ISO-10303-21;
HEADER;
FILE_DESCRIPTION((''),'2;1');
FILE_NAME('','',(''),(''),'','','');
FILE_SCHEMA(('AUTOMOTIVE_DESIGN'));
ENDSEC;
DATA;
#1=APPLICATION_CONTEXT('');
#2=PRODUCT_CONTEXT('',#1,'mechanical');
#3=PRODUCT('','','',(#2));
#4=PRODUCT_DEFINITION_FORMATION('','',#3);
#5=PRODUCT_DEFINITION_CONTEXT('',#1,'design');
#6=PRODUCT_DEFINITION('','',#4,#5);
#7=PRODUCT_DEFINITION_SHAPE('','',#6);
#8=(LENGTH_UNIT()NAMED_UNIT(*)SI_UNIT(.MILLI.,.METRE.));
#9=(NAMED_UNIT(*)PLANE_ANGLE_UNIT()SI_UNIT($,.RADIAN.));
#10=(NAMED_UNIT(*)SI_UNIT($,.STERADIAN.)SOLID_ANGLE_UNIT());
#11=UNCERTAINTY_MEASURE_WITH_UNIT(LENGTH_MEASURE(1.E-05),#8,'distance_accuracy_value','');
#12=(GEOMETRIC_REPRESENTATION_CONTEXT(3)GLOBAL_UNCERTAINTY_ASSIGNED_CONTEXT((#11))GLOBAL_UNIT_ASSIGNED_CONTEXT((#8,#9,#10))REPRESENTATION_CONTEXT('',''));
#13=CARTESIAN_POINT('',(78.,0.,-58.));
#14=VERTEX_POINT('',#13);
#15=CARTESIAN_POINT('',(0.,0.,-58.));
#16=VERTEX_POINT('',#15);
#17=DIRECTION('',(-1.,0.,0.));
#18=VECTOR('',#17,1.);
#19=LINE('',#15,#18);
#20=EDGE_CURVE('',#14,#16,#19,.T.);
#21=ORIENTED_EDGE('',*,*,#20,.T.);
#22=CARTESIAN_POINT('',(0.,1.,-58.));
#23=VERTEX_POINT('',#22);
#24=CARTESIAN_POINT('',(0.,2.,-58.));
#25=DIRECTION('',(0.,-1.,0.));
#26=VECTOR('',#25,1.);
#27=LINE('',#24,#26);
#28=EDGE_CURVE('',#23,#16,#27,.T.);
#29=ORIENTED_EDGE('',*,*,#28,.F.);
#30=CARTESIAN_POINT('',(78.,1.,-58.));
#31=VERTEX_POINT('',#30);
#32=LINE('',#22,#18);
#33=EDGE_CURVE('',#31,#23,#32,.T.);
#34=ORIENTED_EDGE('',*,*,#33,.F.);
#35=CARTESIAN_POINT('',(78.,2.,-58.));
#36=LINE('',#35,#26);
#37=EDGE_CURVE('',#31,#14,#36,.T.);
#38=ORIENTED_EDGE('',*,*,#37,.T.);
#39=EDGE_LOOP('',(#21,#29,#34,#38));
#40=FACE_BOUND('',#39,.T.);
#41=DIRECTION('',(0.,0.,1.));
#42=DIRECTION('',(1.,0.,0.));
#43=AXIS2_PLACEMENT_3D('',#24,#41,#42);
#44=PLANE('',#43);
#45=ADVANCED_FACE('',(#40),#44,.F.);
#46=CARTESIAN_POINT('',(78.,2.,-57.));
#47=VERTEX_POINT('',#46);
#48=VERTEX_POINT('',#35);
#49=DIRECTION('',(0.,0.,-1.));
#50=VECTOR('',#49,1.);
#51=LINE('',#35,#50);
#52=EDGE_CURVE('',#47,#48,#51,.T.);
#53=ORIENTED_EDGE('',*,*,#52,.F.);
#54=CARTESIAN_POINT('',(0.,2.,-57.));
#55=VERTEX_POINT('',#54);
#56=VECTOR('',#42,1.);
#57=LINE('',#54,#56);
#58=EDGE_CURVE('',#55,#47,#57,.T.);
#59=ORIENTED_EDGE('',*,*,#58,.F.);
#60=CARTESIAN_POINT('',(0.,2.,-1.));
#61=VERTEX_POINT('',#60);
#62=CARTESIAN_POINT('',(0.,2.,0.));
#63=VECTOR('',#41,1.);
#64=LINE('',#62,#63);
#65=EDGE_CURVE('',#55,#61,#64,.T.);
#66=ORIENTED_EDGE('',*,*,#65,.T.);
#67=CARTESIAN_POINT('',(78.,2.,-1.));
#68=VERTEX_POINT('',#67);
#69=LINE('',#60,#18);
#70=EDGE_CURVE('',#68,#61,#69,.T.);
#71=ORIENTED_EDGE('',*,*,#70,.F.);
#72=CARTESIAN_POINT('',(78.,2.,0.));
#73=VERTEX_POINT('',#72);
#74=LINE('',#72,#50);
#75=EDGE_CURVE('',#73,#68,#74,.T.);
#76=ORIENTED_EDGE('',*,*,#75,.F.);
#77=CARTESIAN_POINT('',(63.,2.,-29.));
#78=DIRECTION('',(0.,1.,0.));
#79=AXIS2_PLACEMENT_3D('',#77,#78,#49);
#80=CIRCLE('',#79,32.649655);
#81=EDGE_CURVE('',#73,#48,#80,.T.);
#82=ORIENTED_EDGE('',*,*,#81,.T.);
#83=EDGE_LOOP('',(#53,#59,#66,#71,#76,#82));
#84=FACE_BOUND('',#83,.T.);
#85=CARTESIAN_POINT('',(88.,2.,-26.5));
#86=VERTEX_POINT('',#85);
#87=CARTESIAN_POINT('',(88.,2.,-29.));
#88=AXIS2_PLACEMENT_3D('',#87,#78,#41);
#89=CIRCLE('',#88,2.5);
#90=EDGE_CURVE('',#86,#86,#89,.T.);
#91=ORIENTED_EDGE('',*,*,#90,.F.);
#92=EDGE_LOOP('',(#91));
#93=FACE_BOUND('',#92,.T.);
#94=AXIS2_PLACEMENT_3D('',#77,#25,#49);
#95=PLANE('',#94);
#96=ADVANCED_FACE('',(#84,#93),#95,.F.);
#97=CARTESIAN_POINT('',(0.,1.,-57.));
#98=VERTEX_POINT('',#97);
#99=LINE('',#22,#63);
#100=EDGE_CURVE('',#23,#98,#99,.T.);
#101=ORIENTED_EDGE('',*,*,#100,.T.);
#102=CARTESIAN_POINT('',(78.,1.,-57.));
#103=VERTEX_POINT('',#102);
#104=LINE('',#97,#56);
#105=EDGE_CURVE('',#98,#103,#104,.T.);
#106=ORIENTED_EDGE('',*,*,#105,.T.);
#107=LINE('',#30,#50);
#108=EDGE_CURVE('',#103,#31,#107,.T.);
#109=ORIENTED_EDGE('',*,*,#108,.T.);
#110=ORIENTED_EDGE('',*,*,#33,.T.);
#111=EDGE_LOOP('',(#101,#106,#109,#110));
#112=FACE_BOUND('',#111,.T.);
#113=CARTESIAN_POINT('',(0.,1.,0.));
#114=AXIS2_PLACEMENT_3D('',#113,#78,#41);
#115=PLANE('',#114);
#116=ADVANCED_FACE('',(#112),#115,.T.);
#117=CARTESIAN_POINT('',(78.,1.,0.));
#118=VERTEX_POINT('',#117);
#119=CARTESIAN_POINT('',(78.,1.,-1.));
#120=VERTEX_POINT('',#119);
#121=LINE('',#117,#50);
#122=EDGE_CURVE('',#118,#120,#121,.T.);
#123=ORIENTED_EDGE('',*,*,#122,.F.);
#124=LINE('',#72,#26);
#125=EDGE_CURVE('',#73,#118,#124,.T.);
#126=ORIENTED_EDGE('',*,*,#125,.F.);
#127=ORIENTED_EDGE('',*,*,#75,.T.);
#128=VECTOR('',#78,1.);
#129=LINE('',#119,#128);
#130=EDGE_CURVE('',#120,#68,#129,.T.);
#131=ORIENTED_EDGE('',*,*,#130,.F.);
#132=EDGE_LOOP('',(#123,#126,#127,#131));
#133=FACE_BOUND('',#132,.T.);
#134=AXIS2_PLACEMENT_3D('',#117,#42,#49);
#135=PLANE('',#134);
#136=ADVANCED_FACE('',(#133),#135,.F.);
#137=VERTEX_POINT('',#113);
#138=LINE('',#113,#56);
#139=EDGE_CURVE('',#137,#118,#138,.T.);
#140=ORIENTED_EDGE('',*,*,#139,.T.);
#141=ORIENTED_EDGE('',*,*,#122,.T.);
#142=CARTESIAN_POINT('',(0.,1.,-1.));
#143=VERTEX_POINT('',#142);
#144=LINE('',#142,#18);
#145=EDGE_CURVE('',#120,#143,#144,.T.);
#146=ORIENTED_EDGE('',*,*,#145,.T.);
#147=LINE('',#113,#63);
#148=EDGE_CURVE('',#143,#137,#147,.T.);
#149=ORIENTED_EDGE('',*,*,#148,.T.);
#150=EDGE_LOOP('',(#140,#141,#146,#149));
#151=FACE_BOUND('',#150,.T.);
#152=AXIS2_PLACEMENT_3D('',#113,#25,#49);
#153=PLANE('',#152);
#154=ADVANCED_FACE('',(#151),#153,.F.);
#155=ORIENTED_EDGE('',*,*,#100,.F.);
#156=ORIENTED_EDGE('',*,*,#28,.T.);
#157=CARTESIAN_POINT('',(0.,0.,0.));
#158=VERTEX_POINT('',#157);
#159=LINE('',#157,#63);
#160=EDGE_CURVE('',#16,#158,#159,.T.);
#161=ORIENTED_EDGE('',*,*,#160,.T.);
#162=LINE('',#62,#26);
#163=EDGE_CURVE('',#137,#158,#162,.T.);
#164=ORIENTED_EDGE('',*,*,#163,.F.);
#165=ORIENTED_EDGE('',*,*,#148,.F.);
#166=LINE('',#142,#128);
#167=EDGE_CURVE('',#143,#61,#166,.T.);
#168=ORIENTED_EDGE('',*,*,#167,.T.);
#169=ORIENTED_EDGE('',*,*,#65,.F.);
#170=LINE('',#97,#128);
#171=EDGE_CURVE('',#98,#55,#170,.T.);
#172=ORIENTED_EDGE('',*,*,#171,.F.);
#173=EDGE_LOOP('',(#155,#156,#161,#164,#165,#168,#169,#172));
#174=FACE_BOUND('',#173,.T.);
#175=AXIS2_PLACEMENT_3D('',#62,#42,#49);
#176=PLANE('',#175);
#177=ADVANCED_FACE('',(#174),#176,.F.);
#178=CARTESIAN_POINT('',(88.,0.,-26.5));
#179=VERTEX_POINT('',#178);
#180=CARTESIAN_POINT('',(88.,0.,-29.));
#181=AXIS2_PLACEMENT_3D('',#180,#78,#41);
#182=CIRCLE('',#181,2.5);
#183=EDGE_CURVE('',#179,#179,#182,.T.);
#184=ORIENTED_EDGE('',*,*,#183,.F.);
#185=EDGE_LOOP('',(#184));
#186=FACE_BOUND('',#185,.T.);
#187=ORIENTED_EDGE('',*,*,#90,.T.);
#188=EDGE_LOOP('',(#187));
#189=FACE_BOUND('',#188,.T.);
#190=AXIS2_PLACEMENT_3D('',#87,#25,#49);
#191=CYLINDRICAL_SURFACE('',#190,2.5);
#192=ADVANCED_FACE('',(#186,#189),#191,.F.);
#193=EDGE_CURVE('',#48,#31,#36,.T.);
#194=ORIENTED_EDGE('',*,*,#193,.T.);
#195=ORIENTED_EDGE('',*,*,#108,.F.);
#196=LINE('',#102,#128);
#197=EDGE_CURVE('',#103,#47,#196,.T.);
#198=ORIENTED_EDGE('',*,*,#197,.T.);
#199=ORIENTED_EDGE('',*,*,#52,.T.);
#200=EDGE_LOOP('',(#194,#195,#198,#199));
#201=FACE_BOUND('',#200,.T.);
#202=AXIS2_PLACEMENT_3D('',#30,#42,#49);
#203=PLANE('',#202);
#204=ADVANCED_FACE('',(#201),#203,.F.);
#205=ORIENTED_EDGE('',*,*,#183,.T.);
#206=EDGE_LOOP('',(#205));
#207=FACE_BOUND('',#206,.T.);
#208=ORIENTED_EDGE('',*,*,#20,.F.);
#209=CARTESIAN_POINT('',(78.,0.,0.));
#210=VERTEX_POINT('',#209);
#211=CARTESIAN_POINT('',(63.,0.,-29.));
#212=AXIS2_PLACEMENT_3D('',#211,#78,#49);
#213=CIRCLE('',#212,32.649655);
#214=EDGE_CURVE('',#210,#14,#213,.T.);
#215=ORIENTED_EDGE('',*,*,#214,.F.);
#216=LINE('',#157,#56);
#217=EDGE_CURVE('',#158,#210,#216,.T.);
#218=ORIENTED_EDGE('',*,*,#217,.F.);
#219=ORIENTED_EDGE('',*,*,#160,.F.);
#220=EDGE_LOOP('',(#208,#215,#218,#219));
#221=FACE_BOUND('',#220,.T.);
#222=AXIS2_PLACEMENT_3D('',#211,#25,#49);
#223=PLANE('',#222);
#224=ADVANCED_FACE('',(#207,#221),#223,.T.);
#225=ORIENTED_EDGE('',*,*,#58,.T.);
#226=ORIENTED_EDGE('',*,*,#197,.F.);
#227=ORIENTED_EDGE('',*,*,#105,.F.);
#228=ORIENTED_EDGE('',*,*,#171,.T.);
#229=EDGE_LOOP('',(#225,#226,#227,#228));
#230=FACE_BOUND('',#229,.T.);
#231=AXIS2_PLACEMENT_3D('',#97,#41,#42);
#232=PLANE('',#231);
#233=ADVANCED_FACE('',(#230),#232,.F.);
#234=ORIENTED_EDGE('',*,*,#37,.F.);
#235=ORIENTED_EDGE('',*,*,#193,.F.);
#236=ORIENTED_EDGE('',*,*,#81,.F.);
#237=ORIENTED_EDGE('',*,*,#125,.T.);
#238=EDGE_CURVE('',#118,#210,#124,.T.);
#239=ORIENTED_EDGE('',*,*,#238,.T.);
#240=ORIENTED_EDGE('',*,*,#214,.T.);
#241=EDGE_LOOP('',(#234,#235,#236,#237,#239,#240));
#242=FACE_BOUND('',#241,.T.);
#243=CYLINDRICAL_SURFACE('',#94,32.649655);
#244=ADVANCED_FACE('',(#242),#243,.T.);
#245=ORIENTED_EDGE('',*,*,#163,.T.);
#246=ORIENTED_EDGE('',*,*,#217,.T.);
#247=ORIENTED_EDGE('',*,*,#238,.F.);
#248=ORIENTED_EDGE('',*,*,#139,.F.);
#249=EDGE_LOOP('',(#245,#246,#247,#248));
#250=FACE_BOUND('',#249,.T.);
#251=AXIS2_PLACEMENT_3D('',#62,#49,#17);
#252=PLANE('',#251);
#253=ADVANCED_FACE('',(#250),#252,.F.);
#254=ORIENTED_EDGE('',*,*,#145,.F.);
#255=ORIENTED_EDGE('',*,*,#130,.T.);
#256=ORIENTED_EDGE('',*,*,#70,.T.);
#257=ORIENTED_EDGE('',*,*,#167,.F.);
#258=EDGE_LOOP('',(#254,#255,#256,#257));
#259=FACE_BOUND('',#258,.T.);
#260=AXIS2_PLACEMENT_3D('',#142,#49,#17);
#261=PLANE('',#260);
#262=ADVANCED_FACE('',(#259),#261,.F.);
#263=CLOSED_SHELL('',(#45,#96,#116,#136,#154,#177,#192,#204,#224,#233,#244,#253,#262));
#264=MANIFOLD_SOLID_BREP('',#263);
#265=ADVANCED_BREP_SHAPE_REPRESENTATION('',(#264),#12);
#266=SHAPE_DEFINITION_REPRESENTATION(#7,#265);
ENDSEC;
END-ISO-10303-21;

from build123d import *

# Parameters (mm, degrees)
SKIZZE1_R                       = 2.5
AUFSATZ_LINEAR_AUSTRAGEN1_DEPTH = 2
SKIZZE2_W                       = 78
SKIZZE2_H                       = 1
SCHNITT_LINEAR_AUSTRAGEN1_DEPTH = 1


with BuildPart() as part:
    # Skizze1 → Aufsatz-Linear austragen1 (new body)
    with BuildSketch(Plane(origin=(0, 0, 0), x_dir=(1, 0, 0), z_dir=(0, 1, 0))):
        with BuildLine():
            Line((0, 0), (78, 0))
            ThreePointArc((78, 0), (95.649655435, 29), (78, 58))
            Line((78, 58), (0, 58))
            Line((0, 58), (0, 0))
        make_face()
        with Locations((88, 29)):
            Circle(SKIZZE1_R, mode=Mode.SUBTRACT)
    extrude(amount=AUFSATZ_LINEAR_AUSTRAGEN1_DEPTH)

    # Skizze2 → Schnitt-Linear austragen1 (cut)
    with BuildSketch(Plane(origin=(0, 2, 0), x_dir=(1, 0, 0), z_dir=(0, 1, 0))):
        with Locations((39, 57.5)):
            Rectangle(SKIZZE2_W, SKIZZE2_H)
        with Locations((39, 0.5)):
            Rectangle(SKIZZE2_W, SKIZZE2_H)
    extrude(amount=-SCHNITT_LINEAR_AUSTRAGEN1_DEPTH, mode=Mode.SUBTRACT)


solid = part.part
